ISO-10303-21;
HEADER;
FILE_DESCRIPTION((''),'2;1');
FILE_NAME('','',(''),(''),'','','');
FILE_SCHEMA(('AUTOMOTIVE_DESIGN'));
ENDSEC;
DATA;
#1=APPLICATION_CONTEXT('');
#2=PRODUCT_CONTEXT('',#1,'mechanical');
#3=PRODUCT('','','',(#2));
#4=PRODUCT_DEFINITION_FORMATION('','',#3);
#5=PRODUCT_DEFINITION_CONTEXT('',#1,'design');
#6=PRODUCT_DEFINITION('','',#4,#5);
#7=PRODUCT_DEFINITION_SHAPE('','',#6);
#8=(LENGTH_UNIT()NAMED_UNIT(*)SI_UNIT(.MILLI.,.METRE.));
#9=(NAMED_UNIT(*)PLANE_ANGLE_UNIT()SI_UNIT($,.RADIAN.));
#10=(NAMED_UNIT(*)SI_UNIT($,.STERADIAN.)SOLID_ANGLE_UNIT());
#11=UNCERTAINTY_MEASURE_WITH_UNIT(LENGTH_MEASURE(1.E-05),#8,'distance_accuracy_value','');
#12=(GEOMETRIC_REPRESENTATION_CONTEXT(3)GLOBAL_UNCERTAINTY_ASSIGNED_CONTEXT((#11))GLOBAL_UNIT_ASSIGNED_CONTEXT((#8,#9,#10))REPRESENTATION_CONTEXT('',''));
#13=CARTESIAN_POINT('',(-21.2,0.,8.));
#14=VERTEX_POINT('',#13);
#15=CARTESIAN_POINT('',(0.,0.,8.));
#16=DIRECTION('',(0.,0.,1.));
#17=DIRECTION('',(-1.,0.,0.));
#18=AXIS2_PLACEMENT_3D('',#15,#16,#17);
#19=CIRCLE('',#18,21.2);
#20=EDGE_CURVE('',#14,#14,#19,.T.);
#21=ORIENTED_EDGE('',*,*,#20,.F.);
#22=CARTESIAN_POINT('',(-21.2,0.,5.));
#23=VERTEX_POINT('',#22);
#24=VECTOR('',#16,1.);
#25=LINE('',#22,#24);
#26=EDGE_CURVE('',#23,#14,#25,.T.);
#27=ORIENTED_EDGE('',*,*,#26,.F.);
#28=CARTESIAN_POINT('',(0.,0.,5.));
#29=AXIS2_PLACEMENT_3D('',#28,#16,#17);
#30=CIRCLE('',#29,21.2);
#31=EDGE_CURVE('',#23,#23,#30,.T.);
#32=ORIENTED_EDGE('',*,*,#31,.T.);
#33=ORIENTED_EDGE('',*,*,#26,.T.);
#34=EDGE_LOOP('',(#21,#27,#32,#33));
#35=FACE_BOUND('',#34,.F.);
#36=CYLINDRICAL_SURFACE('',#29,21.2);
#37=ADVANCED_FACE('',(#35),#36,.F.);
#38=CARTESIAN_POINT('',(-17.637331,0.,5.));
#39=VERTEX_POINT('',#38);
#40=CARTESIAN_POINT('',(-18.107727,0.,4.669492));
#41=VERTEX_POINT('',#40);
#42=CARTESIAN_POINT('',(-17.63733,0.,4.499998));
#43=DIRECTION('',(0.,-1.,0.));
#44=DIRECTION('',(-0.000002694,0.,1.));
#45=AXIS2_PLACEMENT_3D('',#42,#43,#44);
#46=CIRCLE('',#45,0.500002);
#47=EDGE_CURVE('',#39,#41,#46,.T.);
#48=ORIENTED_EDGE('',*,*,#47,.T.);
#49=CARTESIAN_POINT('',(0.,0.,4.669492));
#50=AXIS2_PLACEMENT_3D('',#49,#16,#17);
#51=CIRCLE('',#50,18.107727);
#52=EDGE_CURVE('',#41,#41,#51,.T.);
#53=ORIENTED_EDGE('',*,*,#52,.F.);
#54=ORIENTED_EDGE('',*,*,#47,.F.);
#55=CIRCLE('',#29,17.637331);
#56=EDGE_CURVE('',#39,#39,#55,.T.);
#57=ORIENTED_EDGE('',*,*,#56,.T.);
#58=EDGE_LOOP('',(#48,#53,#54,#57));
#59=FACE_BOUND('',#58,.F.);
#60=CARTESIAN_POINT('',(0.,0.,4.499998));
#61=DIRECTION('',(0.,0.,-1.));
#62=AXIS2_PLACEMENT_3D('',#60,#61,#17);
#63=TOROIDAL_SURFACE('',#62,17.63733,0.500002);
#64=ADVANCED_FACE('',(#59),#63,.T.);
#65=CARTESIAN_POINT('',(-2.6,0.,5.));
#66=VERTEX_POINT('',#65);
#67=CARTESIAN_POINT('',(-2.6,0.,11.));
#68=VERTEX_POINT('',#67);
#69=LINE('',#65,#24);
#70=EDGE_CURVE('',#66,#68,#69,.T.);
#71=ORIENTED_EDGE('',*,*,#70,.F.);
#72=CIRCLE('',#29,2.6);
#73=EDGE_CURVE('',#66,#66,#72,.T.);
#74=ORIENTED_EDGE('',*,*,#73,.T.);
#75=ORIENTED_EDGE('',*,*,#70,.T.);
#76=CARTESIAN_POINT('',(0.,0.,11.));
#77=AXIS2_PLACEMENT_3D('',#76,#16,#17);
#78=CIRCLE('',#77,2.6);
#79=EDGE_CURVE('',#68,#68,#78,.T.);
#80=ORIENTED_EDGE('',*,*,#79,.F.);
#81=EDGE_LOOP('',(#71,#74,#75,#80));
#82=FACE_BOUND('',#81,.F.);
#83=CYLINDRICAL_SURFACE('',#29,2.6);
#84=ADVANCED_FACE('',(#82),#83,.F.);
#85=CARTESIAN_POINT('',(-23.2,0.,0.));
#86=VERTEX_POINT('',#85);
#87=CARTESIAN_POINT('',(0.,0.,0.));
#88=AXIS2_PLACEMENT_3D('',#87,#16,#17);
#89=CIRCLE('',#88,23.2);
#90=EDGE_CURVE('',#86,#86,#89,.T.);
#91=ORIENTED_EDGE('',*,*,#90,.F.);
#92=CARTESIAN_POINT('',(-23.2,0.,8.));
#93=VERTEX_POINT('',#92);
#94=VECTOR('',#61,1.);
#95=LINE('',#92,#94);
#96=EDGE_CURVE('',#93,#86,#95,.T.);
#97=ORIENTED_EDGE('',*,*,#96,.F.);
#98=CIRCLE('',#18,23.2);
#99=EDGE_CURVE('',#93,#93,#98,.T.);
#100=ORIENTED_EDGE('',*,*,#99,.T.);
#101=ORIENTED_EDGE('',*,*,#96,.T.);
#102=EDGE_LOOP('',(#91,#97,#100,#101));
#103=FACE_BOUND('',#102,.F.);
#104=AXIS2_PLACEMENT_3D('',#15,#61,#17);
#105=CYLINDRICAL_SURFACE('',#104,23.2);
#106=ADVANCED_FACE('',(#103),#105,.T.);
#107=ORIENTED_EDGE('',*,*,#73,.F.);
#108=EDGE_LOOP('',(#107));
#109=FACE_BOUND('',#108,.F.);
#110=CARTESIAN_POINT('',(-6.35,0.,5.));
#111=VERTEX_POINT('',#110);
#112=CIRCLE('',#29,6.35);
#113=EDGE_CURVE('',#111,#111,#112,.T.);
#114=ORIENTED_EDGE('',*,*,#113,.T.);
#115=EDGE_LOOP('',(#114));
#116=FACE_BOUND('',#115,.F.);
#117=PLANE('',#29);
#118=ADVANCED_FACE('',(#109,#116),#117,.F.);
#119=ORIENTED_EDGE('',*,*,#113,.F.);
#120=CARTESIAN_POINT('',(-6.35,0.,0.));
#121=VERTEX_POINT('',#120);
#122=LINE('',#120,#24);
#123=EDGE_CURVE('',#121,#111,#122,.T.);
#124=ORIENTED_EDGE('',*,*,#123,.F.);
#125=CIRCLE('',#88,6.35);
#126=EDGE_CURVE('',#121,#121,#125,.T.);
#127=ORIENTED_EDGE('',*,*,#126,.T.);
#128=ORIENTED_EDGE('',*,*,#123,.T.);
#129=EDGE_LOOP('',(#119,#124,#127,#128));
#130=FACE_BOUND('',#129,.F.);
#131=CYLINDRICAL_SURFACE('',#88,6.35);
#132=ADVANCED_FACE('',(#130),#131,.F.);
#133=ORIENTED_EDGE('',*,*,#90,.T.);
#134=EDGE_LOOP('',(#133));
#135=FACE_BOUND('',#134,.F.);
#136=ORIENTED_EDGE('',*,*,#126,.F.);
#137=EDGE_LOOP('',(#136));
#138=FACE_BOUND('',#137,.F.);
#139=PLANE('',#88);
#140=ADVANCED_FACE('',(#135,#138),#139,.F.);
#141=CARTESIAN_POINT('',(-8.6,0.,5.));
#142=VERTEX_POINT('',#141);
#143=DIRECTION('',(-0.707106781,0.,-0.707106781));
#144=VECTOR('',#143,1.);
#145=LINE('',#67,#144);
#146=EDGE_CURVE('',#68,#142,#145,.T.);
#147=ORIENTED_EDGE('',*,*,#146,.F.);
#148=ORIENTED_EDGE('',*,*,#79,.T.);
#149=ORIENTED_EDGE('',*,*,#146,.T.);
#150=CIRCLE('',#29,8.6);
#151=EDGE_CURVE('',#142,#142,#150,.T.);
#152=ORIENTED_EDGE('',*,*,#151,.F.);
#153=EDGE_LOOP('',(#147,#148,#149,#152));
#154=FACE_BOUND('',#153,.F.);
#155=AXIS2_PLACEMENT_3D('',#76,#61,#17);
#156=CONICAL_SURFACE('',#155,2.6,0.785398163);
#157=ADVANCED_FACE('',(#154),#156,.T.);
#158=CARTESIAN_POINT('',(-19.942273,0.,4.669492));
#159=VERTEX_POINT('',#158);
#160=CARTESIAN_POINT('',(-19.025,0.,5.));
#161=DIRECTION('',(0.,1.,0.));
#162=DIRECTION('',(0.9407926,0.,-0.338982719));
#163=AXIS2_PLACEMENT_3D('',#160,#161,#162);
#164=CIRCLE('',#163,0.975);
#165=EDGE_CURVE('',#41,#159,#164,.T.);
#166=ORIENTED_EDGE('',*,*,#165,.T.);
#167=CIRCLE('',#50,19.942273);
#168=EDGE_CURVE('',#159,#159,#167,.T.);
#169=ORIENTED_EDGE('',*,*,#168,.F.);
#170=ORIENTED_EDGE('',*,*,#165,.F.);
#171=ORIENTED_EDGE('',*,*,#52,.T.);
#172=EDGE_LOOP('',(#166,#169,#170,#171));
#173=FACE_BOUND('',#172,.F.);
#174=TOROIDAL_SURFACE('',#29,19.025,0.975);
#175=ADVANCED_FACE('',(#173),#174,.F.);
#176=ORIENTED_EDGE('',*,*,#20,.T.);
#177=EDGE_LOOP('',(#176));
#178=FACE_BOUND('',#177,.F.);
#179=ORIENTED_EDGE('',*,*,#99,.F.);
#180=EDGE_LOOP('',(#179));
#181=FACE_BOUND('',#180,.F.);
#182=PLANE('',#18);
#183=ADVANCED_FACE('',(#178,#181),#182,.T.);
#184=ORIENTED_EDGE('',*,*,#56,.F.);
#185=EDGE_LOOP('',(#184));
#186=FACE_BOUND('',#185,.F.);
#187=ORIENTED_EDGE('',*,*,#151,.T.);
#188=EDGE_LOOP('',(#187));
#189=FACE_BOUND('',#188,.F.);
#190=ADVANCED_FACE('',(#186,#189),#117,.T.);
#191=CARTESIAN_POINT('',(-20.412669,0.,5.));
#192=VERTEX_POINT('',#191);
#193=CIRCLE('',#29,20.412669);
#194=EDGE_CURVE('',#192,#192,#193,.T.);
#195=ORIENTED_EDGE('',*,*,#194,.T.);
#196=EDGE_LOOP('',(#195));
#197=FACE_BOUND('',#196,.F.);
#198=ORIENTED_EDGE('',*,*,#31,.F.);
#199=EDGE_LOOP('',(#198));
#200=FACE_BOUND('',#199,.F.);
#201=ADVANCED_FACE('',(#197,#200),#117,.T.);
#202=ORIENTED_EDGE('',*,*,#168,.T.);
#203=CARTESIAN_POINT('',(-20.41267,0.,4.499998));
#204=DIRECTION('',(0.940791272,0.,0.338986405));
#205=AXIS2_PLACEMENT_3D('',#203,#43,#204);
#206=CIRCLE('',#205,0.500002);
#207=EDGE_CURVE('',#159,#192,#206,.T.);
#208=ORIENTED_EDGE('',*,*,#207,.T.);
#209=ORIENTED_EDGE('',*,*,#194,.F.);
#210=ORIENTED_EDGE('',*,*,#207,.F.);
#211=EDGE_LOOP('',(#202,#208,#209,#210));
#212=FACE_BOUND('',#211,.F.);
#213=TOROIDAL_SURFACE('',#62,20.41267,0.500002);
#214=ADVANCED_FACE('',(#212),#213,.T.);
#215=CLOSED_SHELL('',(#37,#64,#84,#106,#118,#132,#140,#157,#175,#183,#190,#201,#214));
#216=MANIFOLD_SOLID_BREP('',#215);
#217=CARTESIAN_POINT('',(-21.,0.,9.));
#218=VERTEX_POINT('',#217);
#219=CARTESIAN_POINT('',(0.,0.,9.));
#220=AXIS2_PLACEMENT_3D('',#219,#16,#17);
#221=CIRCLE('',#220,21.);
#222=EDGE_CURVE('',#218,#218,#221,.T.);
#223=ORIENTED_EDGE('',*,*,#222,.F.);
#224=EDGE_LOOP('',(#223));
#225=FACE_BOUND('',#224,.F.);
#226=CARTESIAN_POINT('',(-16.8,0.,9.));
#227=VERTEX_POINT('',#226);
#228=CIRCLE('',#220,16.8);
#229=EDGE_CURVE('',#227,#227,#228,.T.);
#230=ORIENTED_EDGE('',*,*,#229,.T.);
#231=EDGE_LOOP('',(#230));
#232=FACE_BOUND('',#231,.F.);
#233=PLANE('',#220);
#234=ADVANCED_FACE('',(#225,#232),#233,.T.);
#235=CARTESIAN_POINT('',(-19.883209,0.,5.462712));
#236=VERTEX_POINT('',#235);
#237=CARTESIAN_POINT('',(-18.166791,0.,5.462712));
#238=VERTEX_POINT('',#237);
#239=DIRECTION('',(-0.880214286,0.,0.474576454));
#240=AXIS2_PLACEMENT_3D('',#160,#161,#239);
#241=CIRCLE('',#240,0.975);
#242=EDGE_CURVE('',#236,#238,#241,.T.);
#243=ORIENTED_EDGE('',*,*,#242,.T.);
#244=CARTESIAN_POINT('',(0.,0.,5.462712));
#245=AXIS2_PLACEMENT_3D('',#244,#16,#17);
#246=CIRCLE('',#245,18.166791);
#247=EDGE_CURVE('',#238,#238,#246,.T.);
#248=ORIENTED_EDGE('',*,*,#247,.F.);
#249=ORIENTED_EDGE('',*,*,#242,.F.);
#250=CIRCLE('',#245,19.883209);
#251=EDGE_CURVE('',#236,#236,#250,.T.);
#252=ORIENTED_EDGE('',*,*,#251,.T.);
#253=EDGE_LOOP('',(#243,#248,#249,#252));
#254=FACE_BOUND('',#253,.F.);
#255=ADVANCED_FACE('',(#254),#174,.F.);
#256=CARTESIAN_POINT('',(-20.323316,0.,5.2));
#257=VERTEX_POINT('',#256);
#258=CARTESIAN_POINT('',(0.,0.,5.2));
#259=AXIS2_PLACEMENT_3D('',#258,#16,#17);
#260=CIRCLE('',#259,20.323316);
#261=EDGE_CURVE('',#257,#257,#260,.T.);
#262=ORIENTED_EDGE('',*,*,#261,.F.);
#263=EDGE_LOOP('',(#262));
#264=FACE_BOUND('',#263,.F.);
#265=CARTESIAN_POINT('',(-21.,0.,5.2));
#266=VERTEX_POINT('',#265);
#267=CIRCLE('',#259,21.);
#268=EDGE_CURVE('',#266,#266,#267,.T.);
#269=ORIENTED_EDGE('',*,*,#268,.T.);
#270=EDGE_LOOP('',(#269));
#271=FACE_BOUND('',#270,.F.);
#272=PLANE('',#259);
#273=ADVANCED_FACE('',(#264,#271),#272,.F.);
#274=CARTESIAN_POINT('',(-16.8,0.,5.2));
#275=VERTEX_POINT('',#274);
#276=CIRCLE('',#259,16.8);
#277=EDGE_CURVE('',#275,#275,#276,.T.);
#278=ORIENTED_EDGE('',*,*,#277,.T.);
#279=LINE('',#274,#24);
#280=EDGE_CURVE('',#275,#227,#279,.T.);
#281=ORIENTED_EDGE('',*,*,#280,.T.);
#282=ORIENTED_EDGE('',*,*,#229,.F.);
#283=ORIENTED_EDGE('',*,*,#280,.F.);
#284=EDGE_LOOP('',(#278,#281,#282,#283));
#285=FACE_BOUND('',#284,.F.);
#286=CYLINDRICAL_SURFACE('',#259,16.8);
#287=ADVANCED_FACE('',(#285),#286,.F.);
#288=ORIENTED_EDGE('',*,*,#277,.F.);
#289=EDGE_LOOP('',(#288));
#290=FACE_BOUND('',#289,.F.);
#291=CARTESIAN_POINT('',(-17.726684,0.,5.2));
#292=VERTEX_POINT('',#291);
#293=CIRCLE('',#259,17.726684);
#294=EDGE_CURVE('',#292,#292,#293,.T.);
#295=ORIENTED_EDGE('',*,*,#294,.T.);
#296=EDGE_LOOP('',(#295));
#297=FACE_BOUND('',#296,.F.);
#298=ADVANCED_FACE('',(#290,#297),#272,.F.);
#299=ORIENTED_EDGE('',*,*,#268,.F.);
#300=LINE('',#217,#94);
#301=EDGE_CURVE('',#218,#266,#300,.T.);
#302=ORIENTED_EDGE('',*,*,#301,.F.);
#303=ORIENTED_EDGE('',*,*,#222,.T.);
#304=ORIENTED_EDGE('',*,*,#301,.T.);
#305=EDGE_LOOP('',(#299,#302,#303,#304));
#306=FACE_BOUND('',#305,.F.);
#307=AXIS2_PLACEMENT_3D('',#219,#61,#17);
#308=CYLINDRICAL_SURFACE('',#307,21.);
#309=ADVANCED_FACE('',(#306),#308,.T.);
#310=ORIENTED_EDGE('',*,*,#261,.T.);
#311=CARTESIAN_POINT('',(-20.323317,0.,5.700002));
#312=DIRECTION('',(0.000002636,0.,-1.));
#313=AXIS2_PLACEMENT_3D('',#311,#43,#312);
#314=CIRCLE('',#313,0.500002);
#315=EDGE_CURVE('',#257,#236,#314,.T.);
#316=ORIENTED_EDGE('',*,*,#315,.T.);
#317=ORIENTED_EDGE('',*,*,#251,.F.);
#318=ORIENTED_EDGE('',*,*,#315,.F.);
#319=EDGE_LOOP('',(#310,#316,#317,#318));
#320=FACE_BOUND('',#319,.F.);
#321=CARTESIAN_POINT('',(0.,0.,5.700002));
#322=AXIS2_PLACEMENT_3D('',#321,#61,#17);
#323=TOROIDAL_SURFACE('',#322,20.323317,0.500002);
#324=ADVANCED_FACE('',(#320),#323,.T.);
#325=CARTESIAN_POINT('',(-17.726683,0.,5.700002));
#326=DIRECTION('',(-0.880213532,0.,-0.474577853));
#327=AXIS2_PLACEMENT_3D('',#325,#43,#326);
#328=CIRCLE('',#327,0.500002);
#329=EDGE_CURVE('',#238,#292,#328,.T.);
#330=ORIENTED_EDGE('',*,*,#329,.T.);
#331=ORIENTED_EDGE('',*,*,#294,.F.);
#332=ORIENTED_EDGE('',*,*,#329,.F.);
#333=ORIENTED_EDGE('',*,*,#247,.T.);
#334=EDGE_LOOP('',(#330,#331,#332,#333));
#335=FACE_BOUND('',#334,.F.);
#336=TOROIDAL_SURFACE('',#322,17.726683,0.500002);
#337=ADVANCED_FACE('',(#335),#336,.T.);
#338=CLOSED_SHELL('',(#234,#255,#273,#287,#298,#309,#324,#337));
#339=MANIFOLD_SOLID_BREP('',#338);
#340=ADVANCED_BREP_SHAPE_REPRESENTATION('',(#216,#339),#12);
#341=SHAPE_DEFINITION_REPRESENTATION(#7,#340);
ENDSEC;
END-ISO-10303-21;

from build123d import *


with BuildPart() as f1:
    # F0 (on Front) → F1 (revolve)
    with BuildSketch(Plane.XZ):
        with BuildLine():
            Line((-23.2, 0), (-6.35, 0))
            Line((-6.35, 0), (-6.35, 5))
            Line((-6.35, 5), (-2.6, 5))
            Line((-2.6, 5), (-2.6, 11))
            Line((-2.6, 11), (-8.6, 5))
            Line((-8.6, 5), (-17.637331, 5))
            ThreePointArc((-17.637331, 5), (-17.92478, 4.909112), (-18.107727, 4.669492))
            ThreePointArc((-18.107727, 4.669492), (-19.025, 4.025), (-19.942273, 4.669492))
            ThreePointArc((-19.942273, 4.669492), (-20.12522, 4.909112), (-20.412669, 5))
            Line((-20.412669, 5), (-21.2, 5))
            Line((-21.2, 5), (-21.2, 8))
            Line((-21.2, 8), (-23.2, 8))
            Line((-23.2, 8), (-23.2, 0))
        make_face()
        with BuildLine():
            ThreePointArc((-19.883209, 5.462712), (-19.025, 5.975), (-18.166791, 5.462712))
            ThreePointArc((-18.166791, 5.462712), (-17.982961, 5.270673), (-17.726684, 5.2))
            Line((-17.726684, 5.2), (-16.8, 5.2))
            Line((-16.8, 5.2), (-16.8, 9))
            Line((-16.8, 9), (-21, 9))
            Line((-21, 9), (-21, 5.2))
            Line((-21, 5.2), (-20.323316, 5.2))
            ThreePointArc((-20.323316, 5.2), (-20.067039, 5.270673), (-19.883209, 5.462712))
        make_face()
    revolve(axis=Axis((0, 0, 8.914324), (0, 0, 1)))


solid = f1.part
